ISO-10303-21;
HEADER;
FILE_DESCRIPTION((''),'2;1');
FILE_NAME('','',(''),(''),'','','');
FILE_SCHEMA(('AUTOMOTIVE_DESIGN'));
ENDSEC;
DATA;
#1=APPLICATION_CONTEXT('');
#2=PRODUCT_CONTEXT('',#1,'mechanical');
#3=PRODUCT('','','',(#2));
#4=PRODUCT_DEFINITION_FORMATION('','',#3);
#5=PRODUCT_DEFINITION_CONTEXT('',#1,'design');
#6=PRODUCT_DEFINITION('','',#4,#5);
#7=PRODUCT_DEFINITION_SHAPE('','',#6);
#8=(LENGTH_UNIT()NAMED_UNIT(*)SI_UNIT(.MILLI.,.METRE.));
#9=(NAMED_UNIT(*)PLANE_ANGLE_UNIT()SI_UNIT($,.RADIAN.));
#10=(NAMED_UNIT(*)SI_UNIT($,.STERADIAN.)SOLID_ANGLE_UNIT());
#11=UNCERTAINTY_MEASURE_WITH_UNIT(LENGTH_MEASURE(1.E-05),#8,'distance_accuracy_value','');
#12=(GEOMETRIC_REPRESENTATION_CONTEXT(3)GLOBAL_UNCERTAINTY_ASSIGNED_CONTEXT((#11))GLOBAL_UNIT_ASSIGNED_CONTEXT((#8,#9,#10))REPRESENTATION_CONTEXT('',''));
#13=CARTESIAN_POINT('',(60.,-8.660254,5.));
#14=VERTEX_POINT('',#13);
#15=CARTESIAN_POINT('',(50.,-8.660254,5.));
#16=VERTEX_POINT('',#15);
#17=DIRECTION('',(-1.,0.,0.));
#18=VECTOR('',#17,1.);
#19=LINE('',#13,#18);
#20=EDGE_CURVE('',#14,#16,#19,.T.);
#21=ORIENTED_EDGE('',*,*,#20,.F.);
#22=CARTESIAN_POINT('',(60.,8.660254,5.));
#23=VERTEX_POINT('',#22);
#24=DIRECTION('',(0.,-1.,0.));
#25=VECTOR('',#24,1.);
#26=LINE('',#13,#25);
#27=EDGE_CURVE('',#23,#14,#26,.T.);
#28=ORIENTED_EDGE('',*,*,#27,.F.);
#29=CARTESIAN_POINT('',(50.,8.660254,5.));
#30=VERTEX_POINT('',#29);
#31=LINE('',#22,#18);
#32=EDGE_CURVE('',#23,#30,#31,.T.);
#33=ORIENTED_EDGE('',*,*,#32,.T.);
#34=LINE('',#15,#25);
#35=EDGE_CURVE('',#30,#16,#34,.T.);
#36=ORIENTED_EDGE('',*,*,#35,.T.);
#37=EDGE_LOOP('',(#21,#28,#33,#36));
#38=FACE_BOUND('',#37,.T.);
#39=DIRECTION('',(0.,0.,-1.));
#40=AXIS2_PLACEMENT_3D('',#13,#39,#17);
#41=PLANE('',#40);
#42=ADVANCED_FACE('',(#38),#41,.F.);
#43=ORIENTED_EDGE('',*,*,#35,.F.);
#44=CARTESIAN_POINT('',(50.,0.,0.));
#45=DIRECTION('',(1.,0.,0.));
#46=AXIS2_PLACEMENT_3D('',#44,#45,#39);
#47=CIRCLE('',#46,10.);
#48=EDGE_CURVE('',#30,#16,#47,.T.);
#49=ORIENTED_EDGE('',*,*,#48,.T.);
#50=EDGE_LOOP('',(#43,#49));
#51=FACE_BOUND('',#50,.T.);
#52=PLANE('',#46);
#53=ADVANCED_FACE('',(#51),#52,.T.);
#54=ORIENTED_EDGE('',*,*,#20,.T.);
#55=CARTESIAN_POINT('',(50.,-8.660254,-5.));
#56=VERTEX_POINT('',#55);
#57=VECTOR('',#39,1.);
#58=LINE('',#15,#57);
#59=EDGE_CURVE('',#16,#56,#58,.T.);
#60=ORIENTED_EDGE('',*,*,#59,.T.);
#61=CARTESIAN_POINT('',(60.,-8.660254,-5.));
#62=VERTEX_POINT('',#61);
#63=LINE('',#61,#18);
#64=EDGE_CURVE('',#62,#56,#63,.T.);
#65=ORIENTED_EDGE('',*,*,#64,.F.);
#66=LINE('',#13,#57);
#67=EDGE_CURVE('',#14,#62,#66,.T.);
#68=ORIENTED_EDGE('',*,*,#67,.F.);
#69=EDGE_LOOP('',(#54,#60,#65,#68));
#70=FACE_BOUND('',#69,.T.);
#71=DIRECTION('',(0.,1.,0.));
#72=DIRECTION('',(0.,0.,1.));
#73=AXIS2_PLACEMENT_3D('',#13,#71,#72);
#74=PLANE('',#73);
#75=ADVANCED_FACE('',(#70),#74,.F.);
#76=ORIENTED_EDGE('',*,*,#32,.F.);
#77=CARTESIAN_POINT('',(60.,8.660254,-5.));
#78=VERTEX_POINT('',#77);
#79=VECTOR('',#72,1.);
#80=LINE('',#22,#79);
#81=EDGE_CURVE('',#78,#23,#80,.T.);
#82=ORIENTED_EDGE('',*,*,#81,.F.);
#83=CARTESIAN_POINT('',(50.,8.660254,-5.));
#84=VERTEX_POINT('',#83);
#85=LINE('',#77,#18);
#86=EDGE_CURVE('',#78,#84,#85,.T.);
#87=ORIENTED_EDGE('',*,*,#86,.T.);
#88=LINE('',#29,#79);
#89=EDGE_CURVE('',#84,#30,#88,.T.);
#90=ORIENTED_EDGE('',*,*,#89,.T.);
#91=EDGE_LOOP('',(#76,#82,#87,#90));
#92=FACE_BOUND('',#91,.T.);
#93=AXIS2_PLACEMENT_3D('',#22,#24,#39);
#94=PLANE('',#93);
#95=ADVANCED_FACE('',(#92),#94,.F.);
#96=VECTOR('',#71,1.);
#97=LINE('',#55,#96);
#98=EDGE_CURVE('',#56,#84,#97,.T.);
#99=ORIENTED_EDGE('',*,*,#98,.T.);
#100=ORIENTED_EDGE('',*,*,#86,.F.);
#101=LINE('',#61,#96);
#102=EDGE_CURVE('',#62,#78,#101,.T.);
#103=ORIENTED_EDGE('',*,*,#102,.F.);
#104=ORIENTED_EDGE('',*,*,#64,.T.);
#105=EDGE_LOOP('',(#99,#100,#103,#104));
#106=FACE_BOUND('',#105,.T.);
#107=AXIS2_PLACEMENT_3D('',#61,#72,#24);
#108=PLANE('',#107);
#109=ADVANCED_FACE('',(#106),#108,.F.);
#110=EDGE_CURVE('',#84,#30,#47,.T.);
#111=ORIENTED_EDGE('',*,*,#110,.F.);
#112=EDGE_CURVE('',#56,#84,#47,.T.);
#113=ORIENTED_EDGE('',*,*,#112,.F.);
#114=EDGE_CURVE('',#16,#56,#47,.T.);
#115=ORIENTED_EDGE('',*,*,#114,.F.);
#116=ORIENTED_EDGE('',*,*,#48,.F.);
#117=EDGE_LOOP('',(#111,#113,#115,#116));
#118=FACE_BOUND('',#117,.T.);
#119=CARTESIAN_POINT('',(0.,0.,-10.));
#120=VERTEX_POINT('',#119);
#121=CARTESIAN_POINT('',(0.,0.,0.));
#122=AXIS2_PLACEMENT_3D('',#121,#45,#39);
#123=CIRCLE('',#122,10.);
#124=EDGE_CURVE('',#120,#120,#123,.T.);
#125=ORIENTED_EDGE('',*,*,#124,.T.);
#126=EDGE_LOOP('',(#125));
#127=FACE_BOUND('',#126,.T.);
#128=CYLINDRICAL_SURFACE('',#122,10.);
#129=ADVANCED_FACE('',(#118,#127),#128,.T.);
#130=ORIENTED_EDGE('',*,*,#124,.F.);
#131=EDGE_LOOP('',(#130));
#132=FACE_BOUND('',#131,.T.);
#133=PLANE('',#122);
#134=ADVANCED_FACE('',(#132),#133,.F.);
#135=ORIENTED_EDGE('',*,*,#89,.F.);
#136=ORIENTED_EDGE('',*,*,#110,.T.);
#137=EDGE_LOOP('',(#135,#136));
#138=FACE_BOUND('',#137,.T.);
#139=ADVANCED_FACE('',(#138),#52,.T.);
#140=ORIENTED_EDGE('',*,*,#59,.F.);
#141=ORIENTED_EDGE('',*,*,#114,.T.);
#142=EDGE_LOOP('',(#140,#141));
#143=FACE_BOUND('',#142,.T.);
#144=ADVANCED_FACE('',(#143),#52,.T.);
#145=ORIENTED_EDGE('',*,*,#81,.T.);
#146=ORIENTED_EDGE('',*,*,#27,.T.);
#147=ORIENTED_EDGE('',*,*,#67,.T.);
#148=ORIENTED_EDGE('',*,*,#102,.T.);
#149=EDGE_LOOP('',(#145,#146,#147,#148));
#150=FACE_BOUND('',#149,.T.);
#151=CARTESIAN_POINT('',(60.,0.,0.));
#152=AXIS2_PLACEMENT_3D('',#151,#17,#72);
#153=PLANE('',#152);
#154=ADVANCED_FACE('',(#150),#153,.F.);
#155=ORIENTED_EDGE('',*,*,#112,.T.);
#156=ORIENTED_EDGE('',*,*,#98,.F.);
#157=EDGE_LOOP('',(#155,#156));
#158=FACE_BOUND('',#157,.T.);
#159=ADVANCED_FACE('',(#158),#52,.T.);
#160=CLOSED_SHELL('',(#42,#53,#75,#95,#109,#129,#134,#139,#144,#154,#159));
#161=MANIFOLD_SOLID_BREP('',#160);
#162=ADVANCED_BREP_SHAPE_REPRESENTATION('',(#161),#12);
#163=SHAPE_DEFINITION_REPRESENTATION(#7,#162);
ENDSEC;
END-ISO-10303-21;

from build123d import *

# Parameters (mm, degrees)
SKETCH_1_R          = 30
EXTRUDE_1_DEPTH     = 10
CUT_EXTRUDE_START   = -10
SKETCH_2_R          = 30
SKETCH_2_R_2        = 10
CUT_EXTRUDE_1_DEPTH = 10
SKETCH_4_R          = 10
EXTRUDE_2_DEPTH     = 40
SKETCH_5_W          = 10
SKETCH_5_H          = 17.320508076
EXTRUDE_3_DEPTH     = 10


with BuildPart() as part:
    # 草图1 → 凸台-拉伸1 (new body)
    with BuildSketch(Plane(origin=(0, 0, 0), x_dir=(0, 0, -1), z_dir=(1, 0, 0))):
        Circle(SKETCH_1_R)
    extrude(amount=EXTRUDE_1_DEPTH)

    # 草图2 → 切除-拉伸1 (cut)
    with BuildSketch(Plane(origin=(10, 0, 0), x_dir=(0, 0, -1), z_dir=(1, 0, 0)).offset(CUT_EXTRUDE_START)):
        Circle(SKETCH_2_R)
        Circle(SKETCH_2_R_2, mode=Mode.SUBTRACT)
    extrude(amount=CUT_EXTRUDE_1_DEPTH, mode=Mode.SUBTRACT)

    # 草图4 → 凸台-拉伸2 (add)
    with BuildSketch(Plane(origin=(10, 0, 0), x_dir=(0, 0, -1), z_dir=(1, 0, 0))):
        Circle(SKETCH_4_R)
    extrude(amount=EXTRUDE_2_DEPTH)

    # 草图5 → 凸台-拉伸3 (add)
    with BuildSketch(Plane(origin=(50, 0, 0), x_dir=(0, 0, -1), z_dir=(1, 0, 0))):
        Rectangle(SKETCH_5_W, SKETCH_5_H)
    extrude(amount=EXTRUDE_3_DEPTH)


solid = part.part
